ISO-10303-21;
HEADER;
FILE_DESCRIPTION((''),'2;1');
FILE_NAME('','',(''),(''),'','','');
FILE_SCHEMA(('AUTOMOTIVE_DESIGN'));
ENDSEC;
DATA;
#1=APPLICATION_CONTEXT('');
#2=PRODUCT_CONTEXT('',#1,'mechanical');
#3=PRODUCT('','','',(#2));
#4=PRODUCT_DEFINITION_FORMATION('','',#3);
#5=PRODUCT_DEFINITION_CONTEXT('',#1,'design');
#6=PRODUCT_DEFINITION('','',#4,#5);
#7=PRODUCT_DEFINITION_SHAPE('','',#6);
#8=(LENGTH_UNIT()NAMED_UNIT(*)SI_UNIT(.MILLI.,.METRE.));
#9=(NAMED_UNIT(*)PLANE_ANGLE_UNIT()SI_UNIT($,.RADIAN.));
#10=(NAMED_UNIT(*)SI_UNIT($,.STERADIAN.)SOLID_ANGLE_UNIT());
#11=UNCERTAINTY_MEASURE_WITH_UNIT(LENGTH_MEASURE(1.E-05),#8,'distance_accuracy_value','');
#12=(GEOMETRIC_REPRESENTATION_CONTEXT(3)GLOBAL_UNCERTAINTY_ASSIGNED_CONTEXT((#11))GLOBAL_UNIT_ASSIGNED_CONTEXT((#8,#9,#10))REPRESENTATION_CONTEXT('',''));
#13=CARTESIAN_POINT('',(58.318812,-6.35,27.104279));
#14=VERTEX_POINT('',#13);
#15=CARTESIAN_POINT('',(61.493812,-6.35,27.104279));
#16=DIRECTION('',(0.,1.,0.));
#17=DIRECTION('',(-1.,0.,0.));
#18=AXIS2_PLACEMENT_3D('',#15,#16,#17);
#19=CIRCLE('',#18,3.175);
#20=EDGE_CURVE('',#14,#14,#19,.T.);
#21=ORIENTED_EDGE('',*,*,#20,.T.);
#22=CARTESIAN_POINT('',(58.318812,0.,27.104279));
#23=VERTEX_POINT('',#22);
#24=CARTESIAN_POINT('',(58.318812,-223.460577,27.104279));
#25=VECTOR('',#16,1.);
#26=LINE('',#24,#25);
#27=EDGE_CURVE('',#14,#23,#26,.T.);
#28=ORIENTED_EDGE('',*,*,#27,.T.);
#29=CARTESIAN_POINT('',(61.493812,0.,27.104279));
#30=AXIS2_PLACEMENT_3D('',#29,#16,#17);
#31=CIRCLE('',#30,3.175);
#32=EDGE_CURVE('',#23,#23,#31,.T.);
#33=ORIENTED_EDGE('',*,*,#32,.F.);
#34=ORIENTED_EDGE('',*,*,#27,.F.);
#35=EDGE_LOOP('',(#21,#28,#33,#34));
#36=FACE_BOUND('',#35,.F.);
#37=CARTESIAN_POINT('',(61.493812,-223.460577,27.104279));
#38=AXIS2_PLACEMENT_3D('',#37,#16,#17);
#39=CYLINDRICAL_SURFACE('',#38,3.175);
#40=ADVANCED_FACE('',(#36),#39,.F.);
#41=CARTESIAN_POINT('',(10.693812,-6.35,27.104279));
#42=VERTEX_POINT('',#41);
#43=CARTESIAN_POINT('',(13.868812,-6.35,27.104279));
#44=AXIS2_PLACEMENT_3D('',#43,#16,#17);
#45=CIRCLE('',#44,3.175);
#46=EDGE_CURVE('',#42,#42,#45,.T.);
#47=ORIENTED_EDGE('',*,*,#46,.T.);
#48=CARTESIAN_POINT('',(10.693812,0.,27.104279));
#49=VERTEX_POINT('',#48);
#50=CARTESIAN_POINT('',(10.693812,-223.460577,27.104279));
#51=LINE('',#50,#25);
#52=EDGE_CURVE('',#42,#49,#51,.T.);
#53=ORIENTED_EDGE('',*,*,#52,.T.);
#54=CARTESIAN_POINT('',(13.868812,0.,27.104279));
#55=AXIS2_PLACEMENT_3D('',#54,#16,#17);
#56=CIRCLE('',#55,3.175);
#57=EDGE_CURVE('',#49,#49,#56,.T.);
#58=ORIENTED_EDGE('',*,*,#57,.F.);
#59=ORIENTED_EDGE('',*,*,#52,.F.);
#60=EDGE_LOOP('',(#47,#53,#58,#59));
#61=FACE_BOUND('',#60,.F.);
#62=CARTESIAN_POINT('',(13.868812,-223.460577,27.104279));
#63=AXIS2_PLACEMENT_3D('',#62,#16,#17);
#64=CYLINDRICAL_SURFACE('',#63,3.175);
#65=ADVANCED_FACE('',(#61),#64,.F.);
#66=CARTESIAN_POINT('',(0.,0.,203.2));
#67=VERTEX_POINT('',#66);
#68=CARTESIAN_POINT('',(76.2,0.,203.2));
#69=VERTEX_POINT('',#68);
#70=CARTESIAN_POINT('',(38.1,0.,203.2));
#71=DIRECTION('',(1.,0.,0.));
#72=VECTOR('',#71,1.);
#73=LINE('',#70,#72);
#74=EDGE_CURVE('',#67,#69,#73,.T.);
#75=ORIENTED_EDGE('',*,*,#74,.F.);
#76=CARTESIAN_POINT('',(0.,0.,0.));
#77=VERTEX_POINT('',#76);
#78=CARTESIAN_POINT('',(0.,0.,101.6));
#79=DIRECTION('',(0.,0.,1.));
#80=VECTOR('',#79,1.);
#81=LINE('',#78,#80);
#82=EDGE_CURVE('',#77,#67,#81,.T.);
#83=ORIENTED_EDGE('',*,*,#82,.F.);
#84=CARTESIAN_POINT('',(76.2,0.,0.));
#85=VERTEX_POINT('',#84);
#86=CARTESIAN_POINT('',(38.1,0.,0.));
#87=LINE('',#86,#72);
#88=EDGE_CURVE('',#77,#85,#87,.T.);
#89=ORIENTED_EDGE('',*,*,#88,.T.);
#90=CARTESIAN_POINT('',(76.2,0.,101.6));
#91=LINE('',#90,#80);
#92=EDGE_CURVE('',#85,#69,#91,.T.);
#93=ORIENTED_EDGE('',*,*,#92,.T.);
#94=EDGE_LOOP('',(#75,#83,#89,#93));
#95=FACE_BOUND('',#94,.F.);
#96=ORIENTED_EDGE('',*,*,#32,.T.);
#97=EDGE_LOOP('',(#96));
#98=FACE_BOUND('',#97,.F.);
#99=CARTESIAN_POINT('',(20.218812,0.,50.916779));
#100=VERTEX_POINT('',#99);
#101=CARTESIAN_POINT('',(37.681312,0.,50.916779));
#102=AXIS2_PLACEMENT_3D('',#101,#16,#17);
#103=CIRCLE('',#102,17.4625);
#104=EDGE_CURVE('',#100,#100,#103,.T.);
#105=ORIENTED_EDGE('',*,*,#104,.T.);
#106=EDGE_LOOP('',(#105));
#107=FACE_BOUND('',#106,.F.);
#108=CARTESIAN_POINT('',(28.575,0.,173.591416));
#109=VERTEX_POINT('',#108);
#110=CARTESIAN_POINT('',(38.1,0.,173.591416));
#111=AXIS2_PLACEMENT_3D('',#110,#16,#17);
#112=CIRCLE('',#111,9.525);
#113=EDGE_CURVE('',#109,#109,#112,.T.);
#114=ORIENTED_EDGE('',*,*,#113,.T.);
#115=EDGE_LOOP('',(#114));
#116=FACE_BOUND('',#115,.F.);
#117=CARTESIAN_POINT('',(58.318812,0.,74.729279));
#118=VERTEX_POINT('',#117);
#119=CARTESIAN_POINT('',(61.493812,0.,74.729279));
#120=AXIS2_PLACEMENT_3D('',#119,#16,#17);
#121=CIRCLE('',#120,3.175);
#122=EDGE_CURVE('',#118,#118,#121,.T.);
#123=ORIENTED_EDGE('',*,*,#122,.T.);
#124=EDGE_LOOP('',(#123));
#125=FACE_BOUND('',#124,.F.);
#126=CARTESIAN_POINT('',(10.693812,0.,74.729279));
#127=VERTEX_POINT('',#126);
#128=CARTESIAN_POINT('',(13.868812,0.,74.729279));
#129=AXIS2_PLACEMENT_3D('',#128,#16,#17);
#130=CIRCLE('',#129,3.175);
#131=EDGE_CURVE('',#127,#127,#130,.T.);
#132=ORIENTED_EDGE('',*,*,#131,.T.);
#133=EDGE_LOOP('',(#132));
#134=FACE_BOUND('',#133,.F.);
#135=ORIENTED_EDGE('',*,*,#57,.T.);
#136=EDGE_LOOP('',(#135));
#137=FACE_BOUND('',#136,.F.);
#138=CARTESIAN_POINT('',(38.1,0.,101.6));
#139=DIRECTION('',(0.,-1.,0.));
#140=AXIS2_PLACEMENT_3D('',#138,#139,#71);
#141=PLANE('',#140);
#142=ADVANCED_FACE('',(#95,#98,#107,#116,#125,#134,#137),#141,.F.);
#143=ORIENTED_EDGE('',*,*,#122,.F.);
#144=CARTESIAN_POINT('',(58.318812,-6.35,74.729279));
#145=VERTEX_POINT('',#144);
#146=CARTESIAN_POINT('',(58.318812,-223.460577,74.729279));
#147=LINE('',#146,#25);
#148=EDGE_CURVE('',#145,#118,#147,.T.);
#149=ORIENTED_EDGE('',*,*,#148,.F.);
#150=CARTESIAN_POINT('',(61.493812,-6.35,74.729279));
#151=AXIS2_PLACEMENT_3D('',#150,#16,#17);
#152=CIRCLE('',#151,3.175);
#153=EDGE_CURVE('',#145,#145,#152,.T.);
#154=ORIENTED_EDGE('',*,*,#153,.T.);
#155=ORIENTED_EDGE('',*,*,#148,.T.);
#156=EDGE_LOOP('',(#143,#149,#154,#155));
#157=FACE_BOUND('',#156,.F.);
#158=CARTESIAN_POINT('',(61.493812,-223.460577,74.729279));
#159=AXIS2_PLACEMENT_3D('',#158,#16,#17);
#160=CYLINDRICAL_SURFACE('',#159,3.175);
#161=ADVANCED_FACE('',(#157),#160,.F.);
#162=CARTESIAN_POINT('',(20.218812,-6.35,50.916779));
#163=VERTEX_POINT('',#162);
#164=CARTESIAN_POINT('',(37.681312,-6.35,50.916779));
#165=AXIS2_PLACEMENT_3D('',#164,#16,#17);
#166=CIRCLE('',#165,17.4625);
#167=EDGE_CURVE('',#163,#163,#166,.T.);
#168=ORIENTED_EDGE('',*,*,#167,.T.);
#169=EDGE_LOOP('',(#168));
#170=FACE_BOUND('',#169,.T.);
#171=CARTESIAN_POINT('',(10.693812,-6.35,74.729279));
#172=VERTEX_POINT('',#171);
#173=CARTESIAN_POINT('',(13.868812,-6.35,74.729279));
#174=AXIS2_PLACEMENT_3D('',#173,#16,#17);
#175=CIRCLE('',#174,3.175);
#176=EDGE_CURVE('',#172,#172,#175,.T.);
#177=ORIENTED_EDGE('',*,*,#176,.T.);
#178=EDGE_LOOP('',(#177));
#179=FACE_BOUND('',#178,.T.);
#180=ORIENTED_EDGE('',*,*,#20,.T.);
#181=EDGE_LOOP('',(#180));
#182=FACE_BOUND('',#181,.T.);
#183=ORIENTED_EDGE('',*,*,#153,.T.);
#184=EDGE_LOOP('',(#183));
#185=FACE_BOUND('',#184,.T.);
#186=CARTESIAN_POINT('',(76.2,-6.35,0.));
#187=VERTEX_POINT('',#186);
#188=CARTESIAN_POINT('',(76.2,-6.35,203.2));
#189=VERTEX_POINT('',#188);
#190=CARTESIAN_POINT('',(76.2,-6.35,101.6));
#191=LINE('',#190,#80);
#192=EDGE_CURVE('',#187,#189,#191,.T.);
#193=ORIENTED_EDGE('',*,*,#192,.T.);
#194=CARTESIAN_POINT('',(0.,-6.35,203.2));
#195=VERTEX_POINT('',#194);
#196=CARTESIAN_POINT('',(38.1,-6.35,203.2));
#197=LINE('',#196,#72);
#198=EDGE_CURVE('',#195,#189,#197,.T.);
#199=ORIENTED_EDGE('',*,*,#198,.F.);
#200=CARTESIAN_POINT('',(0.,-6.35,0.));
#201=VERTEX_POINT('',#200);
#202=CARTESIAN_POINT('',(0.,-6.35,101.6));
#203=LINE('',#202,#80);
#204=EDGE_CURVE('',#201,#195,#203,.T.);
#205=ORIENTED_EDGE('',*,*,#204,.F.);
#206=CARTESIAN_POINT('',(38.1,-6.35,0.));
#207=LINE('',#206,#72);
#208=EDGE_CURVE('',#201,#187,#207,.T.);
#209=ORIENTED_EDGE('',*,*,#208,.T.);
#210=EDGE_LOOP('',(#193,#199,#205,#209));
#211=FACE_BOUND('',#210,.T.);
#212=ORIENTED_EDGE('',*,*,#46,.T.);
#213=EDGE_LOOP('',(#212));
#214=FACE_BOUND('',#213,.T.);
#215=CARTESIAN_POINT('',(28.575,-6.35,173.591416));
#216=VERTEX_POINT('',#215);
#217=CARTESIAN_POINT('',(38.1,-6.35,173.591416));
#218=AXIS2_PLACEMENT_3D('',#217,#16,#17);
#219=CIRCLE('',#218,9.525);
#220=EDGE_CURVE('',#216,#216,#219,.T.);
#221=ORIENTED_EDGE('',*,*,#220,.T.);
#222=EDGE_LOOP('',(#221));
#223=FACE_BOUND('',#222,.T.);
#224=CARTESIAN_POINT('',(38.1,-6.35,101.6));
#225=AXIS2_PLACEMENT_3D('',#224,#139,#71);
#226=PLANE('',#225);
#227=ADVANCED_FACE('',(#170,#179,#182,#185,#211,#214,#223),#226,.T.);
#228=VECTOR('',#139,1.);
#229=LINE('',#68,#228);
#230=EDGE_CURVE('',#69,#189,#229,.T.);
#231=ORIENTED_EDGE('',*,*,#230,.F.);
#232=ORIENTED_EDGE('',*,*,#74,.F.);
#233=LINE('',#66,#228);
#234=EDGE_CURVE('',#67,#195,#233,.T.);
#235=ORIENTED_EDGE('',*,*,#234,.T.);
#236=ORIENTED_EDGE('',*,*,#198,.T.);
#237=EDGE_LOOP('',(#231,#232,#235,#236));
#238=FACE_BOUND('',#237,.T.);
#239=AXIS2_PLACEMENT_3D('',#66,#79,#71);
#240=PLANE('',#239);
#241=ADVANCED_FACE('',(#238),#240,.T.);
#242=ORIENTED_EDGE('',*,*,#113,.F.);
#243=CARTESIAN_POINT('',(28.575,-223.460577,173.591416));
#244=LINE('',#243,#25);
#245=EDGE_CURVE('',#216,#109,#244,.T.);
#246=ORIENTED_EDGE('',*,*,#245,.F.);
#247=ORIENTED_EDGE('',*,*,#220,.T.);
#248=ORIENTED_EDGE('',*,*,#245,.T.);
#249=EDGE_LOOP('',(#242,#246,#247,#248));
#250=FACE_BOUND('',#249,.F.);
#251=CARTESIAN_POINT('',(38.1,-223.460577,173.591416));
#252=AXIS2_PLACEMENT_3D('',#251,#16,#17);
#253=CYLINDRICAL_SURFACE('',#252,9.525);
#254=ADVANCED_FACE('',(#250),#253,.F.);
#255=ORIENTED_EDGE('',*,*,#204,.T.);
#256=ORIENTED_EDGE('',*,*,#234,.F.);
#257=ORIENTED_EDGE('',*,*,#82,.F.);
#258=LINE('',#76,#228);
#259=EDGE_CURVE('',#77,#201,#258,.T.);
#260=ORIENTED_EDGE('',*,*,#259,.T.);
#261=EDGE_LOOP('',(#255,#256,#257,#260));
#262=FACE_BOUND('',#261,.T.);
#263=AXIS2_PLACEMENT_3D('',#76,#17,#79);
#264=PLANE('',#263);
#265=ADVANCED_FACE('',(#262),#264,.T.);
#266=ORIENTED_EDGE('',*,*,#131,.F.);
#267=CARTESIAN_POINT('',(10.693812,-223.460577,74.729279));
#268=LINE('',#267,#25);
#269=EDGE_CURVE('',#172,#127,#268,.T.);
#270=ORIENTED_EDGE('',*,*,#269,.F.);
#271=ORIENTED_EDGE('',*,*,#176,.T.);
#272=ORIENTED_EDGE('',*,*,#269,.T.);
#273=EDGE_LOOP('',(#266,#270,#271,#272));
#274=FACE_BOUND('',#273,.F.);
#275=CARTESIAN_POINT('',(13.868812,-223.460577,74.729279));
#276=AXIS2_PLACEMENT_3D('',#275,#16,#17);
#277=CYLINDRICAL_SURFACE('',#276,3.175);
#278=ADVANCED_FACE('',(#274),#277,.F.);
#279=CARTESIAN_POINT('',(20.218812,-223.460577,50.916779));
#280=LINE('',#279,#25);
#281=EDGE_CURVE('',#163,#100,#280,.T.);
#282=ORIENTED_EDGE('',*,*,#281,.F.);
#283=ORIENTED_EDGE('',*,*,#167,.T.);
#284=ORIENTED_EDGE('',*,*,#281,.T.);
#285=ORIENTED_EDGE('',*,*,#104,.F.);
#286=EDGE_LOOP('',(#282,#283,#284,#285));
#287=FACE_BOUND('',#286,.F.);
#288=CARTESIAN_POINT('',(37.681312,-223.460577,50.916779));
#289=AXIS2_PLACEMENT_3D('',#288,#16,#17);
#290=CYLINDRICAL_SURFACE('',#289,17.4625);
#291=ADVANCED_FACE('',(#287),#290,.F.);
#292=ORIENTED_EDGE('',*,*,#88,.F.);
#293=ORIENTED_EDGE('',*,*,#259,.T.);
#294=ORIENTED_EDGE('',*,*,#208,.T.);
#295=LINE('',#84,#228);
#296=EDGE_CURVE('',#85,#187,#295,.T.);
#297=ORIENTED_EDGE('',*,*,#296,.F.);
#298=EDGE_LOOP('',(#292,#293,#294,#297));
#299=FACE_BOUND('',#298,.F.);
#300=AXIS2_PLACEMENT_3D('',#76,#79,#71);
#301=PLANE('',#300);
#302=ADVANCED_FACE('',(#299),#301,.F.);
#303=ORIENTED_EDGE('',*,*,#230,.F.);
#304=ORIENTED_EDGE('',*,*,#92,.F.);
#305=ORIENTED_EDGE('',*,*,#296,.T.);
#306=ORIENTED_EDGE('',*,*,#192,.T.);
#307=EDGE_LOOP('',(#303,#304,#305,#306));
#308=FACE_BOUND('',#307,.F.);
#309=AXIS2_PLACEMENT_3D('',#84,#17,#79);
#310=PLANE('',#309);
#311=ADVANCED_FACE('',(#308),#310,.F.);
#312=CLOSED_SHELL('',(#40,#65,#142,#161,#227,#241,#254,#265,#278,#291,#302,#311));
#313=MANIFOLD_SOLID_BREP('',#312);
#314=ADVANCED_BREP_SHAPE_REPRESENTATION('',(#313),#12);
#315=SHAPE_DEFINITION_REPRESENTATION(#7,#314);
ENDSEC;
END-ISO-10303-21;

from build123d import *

# Parameters (mm, degrees)
F0_W     = 76.2
F0_H     = 203.2
F1_DEPTH = 6.35
F3_D     = 6.35
F5_D     = 19.05
F7_D     = 34.925


with BuildPart() as f1:
    # F0 (on Front) → F1 (new body)
    with BuildSketch(Plane.XZ):
        with Locations((38.1, 101.6)):
            Rectangle(F0_W, F0_H)
    extrude(amount=F1_DEPTH)

    # F3 (through all)
    with Locations(Plane.XZ.offset(6.35)):
        with Locations((13.868812, 74.729279), (61.493812, 74.729279), (61.493812, 27.104279), (13.868812, 27.104279)):
            Hole(F3_D / 2)

    # F5 (through all)
    with Locations(Plane.XZ.offset(6.35)):
        with Locations((38.1, 173.591416)):
            Hole(F5_D / 2)

    # F7 (through all)
    with Locations(Plane.XZ.offset(6.35)):
        with Locations((37.681312, 50.916779)):
            Hole(F7_D / 2)


solid = f1.part
